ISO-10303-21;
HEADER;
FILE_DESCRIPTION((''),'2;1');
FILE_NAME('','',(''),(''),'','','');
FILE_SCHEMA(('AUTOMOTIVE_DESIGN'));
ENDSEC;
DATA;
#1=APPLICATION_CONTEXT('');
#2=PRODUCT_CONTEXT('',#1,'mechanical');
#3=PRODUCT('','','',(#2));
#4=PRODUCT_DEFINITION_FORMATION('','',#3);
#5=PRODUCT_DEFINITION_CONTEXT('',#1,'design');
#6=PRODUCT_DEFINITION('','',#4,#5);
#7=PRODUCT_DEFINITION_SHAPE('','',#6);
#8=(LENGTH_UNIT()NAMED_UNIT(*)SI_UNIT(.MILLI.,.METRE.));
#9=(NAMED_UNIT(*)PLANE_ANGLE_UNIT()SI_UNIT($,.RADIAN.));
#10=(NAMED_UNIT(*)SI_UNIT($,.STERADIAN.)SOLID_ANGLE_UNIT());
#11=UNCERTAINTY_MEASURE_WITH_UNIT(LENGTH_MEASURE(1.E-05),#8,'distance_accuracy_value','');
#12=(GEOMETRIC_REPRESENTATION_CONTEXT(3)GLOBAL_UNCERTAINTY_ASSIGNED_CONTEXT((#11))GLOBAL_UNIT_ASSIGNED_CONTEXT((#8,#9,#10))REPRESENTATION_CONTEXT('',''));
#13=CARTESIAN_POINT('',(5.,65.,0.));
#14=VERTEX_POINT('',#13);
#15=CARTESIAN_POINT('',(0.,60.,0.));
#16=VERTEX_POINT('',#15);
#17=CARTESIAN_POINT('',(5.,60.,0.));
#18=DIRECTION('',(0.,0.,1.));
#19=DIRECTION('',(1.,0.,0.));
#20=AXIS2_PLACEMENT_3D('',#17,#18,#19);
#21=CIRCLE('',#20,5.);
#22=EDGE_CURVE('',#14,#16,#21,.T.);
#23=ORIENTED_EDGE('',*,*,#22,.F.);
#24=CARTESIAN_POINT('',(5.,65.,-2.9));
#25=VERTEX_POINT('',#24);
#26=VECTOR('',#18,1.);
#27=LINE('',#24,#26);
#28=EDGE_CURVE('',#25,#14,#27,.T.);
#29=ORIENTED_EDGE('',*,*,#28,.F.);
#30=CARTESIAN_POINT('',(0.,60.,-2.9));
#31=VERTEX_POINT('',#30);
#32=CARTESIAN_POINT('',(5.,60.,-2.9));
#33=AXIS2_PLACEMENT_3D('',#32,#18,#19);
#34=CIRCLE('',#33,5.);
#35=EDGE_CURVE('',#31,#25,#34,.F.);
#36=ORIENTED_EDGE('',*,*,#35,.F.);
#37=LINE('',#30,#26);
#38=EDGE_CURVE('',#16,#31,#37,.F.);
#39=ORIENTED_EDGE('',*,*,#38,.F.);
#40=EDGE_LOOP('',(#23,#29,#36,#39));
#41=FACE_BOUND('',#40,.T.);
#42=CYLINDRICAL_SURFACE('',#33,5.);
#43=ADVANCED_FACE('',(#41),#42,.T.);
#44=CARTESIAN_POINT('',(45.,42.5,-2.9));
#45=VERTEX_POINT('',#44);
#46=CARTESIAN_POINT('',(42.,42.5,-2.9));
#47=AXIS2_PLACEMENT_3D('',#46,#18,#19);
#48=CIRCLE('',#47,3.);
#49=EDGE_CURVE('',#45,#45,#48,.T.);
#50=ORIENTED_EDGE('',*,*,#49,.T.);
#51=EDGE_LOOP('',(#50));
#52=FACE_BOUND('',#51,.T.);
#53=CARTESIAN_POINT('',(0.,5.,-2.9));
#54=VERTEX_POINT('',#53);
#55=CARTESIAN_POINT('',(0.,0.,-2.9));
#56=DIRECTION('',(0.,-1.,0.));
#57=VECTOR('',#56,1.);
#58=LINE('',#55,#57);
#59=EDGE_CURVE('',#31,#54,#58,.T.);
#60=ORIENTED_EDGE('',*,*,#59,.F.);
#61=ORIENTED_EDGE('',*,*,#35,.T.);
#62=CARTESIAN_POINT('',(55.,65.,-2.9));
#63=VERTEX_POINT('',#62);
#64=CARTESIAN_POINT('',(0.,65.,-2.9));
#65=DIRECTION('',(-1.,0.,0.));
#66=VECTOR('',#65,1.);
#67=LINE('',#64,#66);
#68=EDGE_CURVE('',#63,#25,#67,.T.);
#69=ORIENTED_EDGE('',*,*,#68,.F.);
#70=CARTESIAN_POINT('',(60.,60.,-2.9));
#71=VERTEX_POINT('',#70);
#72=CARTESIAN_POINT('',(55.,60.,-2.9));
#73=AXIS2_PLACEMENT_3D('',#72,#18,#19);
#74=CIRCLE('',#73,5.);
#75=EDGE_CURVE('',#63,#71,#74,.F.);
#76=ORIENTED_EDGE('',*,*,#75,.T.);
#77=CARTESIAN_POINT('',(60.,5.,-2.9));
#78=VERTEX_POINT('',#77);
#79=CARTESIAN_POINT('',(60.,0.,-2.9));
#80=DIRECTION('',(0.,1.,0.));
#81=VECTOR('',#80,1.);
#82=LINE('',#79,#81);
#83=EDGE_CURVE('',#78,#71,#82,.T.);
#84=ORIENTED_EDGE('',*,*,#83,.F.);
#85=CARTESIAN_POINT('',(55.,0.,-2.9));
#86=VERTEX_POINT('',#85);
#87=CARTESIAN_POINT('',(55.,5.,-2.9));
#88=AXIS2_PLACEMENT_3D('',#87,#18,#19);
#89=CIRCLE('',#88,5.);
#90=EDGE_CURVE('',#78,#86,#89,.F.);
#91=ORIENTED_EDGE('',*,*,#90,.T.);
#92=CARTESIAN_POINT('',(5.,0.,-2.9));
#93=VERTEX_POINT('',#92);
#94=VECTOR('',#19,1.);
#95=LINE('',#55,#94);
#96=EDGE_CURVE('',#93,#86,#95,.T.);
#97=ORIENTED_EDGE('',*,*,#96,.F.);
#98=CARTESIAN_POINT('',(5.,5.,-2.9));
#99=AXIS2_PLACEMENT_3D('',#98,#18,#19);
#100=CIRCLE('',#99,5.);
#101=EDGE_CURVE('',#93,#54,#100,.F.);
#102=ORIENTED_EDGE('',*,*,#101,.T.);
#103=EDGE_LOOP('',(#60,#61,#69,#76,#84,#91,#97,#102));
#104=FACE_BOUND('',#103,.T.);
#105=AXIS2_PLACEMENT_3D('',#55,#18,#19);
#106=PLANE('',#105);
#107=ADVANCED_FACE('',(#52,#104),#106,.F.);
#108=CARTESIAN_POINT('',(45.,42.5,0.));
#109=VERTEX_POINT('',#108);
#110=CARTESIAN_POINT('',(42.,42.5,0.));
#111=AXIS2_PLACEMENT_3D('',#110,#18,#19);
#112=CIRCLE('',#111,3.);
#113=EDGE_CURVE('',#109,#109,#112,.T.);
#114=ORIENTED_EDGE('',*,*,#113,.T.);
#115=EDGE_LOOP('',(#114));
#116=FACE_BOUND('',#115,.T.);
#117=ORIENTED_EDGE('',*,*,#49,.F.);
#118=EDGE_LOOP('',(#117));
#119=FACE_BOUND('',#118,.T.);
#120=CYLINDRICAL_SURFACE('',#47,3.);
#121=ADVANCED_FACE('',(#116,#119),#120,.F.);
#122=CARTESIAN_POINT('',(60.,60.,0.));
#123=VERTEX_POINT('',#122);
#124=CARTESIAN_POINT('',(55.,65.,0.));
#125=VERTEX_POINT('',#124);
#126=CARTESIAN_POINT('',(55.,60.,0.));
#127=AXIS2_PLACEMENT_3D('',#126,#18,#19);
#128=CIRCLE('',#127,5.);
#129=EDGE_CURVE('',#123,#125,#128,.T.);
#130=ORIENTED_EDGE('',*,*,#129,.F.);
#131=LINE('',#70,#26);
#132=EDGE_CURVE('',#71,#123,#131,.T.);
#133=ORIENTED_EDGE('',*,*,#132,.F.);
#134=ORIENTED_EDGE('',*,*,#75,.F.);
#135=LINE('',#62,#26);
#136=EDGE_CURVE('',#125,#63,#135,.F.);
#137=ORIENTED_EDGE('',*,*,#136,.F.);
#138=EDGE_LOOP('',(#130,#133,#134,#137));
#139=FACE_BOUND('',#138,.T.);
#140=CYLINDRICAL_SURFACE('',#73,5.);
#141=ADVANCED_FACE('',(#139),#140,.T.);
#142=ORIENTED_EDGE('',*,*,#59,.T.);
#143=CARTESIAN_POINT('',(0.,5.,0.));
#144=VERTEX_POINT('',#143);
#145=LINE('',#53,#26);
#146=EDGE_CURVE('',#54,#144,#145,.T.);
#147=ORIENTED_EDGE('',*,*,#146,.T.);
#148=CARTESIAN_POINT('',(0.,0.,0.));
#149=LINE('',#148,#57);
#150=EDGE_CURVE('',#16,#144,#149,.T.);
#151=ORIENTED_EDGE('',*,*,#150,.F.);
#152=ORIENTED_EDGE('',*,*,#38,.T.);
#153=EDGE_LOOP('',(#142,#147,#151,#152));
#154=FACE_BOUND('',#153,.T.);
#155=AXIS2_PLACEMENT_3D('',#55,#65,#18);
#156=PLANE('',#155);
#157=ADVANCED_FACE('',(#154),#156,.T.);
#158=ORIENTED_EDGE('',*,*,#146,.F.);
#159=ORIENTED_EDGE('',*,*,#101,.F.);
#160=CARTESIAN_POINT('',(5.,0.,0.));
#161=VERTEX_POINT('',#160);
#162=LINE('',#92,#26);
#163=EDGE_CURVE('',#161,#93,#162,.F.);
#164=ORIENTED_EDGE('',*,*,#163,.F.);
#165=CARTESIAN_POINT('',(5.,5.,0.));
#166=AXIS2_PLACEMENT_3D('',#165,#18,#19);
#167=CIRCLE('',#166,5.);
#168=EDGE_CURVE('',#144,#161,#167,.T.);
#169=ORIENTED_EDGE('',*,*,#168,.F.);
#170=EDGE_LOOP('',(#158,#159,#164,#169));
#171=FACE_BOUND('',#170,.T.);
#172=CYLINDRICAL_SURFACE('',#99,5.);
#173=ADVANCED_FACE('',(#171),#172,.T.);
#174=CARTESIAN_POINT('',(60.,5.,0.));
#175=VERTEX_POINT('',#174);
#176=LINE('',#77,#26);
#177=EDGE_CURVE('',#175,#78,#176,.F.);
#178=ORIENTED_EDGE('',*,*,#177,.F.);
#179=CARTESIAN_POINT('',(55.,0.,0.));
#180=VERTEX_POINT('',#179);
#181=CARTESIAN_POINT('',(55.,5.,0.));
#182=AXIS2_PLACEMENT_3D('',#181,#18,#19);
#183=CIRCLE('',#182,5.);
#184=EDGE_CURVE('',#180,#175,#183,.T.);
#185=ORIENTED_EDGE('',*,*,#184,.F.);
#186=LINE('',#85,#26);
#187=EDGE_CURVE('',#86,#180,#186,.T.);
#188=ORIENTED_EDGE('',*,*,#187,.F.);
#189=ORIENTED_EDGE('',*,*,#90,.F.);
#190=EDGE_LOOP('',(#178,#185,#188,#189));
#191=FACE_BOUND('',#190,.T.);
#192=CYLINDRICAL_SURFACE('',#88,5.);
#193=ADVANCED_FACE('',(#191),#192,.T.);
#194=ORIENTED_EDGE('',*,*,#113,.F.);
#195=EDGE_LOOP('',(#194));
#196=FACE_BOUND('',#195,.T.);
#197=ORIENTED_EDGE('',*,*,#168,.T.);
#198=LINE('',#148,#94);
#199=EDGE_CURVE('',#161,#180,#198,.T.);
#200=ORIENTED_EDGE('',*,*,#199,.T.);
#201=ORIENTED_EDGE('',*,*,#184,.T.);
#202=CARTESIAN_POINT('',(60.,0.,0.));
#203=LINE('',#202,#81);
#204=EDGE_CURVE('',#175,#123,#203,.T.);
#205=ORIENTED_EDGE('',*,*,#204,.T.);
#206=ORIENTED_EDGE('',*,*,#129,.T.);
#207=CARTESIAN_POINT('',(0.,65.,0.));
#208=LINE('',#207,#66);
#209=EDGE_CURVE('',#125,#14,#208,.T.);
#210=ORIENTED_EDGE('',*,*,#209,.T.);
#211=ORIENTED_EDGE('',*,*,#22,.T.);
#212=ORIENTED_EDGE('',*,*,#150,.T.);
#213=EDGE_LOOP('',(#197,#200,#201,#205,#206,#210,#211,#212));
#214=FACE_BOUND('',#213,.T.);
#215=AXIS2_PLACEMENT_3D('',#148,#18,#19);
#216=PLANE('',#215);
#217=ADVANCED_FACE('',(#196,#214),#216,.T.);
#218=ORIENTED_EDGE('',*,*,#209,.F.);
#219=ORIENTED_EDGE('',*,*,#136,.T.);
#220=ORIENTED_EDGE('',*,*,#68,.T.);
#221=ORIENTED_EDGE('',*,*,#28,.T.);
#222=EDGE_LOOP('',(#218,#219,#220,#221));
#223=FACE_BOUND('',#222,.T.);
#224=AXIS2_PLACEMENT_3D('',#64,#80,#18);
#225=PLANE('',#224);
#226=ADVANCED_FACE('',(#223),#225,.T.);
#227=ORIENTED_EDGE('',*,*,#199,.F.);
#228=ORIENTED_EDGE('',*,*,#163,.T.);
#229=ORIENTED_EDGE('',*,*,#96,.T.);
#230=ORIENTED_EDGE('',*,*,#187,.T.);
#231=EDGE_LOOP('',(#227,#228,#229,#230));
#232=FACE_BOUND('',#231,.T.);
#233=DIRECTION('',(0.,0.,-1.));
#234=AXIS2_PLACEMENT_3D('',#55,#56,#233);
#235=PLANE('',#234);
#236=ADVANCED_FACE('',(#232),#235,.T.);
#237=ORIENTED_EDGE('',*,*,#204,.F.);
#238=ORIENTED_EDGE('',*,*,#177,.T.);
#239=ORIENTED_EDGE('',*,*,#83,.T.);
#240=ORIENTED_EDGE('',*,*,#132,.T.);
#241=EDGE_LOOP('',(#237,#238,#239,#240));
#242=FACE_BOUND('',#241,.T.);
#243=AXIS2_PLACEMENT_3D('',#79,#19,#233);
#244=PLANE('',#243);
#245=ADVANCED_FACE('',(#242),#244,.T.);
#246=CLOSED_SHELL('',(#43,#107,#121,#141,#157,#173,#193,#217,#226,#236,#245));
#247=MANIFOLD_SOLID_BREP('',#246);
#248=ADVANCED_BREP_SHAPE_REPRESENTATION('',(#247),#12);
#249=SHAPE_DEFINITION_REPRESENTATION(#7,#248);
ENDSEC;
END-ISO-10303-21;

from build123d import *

# Parameters (mm, degrees)
CROQUIS1_W              = 60
CROQUIS1_H              = 65
CROQUIS1_R              = 3
SALIENTE_EXTRUIR1_DEPTH = 2.9
REDONDEO2_R             = 5
REDONDEO3_R             = 5
REDONDEO4_R             = 5
REDONDEO5_R             = 5


with BuildPart() as part:
    # Croquis1 → Saliente-Extruir1 (new body)
    with BuildSketch(Plane.XY):
        with Locations((30, 32.5)):
            Rectangle(CROQUIS1_W, CROQUIS1_H)
        with Locations((42, 42.5)):
            Circle(CROQUIS1_R, mode=Mode.SUBTRACT)
    extrude(amount=-SALIENTE_EXTRUIR1_DEPTH)

    # Redondeo2
    redondeo2_edges = [part.edges().sort_by_distance(p)[0] for p in [
        (0, 65, -1.45),
    ]]
    fillet(redondeo2_edges, radius=REDONDEO2_R)

    # Redondeo3
    redondeo3_edges = [part.edges().sort_by_distance(p)[0] for p in [
        (60, 65, -1.45),
    ]]
    fillet(redondeo3_edges, radius=REDONDEO3_R)

    # Redondeo4
    redondeo4_edges = [part.edges().sort_by_distance(p)[0] for p in [
        (60, 0, -1.45),
    ]]
    fillet(redondeo4_edges, radius=REDONDEO4_R)

    # Redondeo5
    redondeo5_edges = [part.edges().sort_by_distance(p)[0] for p in [
        (0, 0, -1.45),
    ]]
    fillet(redondeo5_edges, radius=REDONDEO5_R)


solid = part.part
